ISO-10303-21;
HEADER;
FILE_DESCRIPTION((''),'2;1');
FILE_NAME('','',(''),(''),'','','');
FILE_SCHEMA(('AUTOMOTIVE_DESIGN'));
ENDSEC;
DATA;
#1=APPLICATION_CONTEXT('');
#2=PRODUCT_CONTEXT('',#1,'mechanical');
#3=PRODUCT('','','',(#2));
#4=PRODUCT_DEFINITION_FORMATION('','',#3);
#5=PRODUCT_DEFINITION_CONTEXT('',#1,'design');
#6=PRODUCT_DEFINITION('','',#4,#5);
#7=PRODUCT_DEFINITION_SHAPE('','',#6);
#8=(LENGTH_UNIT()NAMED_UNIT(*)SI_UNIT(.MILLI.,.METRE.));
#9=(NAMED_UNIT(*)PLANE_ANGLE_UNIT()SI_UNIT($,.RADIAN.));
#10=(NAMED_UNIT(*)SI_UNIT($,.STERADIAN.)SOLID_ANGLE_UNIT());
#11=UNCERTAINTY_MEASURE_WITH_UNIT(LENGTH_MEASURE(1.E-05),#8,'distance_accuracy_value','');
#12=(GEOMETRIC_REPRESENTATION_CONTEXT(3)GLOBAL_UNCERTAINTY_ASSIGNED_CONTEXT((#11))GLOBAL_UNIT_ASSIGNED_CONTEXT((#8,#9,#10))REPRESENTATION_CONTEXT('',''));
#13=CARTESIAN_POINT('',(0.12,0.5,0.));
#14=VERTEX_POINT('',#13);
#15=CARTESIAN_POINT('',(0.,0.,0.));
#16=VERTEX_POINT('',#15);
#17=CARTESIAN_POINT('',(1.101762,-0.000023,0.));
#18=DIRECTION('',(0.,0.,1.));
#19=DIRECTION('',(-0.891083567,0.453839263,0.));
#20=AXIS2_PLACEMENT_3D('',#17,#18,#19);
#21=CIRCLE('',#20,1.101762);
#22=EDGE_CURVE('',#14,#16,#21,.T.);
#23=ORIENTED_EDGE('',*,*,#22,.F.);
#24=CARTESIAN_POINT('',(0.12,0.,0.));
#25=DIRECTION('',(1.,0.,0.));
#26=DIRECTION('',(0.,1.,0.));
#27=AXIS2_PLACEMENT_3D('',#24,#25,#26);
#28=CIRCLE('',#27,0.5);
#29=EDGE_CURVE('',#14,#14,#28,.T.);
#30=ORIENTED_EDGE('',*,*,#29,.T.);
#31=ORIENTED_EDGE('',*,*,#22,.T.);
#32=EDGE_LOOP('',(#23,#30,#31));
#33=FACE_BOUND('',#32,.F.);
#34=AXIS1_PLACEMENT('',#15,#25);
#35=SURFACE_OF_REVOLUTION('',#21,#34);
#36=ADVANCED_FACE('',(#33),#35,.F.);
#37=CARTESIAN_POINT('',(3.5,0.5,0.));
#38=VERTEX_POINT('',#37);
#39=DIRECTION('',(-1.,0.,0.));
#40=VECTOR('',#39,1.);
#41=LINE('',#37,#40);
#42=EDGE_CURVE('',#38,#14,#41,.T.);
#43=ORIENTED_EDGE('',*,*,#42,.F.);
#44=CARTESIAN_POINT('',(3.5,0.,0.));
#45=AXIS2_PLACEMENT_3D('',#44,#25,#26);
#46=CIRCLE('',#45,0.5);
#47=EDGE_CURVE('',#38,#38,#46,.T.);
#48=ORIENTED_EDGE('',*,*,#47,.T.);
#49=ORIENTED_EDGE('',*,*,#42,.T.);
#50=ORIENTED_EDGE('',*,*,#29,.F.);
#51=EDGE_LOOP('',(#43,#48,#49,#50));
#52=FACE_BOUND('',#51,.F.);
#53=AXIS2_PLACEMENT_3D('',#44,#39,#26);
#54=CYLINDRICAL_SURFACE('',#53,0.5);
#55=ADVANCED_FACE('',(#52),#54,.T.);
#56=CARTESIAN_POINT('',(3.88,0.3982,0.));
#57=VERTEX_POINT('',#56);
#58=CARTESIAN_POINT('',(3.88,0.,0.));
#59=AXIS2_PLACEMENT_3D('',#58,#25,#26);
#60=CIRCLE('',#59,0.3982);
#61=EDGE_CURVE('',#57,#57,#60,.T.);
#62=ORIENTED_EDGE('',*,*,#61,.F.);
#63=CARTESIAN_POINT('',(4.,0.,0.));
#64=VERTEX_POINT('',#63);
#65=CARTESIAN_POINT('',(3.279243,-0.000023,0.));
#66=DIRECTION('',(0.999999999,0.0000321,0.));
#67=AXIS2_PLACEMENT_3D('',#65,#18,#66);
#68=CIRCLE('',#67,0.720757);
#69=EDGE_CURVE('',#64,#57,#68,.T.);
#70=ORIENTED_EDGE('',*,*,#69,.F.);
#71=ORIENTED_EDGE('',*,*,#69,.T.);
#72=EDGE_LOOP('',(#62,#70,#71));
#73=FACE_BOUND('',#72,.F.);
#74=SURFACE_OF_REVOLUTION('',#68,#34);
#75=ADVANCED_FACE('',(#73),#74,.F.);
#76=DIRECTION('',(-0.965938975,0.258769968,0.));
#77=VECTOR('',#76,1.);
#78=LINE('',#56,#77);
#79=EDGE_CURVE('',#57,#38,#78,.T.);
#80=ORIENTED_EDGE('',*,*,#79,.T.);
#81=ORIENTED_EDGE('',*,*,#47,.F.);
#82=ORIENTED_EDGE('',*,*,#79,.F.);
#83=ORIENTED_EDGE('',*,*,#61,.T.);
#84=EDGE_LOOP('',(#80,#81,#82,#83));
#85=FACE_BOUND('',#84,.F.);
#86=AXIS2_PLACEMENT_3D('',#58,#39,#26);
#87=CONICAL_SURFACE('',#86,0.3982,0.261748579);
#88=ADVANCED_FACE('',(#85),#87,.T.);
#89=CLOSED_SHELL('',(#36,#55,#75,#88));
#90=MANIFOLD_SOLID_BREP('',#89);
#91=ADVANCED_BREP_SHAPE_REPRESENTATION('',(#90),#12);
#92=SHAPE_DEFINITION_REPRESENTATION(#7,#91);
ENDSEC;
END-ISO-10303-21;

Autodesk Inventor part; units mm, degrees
ref_plane "YZ Plane" through (0, 0, 0) normal (1, 0, 0) x (0, 1, 0)
ref_plane "XZ Plane" through (0, 0, 0) normal (0, 1, 0) x (-1, 0, 0)
ref_plane "XY Plane" through (0, 0, 0) normal (0, 0, 1) x (1, 0, 0)
sketch "Sketch1" plane through (0, 0, 0) normal (0, 0, 1) x (1, 0, 0)
  line L0 (3.88, 0.3982) -> (3.5, 0.5)
  line L1 (3.5, 0.5) -> (0.12, 0.5)
  line L2 (0, 0) -> (4, 0)
  arc A0 (4, 0) -> (3.88, 0.3982) centre (3.2794, 0) ccw
  arc A1 (0.12, 0.5) -> (0, 0) centre (1.1017, 0) ccw
  dimension "d0" = 4
  dimension "d1" = 1
  dimension "d2" = 0.5
  dimension "d3" = 15
  dimension "d4" = 0.12
  dimension "d5" = 0.12
revolve "Body" add sketch "Sketch1" angle 360 about axis through (0, 0, 0) along (1, 0, 0)
equation "\"d0\" = NLG"
equation "\"d1\" = NND"
equation "\"d2\" = PHH"
equation "\"d3\" = FAWI"
equation "\"d4\" = KAH"
equation "\"d5\" = KAH"
equation "\"NND\" = 1"
equation "\"NLG\" = 4"
equation "\"PHH\" = 0.5"
equation "\"FAWI\" = 15deg"
equation "\"KAH\" = 0.12"
equation "\"d6\" = -KAH"
equation "\"d7\" = KAH"
equation "\"KAH1\" = 0.08"
properties part number "ISO 8734 - 1 x 4 - A" material "Steel"
